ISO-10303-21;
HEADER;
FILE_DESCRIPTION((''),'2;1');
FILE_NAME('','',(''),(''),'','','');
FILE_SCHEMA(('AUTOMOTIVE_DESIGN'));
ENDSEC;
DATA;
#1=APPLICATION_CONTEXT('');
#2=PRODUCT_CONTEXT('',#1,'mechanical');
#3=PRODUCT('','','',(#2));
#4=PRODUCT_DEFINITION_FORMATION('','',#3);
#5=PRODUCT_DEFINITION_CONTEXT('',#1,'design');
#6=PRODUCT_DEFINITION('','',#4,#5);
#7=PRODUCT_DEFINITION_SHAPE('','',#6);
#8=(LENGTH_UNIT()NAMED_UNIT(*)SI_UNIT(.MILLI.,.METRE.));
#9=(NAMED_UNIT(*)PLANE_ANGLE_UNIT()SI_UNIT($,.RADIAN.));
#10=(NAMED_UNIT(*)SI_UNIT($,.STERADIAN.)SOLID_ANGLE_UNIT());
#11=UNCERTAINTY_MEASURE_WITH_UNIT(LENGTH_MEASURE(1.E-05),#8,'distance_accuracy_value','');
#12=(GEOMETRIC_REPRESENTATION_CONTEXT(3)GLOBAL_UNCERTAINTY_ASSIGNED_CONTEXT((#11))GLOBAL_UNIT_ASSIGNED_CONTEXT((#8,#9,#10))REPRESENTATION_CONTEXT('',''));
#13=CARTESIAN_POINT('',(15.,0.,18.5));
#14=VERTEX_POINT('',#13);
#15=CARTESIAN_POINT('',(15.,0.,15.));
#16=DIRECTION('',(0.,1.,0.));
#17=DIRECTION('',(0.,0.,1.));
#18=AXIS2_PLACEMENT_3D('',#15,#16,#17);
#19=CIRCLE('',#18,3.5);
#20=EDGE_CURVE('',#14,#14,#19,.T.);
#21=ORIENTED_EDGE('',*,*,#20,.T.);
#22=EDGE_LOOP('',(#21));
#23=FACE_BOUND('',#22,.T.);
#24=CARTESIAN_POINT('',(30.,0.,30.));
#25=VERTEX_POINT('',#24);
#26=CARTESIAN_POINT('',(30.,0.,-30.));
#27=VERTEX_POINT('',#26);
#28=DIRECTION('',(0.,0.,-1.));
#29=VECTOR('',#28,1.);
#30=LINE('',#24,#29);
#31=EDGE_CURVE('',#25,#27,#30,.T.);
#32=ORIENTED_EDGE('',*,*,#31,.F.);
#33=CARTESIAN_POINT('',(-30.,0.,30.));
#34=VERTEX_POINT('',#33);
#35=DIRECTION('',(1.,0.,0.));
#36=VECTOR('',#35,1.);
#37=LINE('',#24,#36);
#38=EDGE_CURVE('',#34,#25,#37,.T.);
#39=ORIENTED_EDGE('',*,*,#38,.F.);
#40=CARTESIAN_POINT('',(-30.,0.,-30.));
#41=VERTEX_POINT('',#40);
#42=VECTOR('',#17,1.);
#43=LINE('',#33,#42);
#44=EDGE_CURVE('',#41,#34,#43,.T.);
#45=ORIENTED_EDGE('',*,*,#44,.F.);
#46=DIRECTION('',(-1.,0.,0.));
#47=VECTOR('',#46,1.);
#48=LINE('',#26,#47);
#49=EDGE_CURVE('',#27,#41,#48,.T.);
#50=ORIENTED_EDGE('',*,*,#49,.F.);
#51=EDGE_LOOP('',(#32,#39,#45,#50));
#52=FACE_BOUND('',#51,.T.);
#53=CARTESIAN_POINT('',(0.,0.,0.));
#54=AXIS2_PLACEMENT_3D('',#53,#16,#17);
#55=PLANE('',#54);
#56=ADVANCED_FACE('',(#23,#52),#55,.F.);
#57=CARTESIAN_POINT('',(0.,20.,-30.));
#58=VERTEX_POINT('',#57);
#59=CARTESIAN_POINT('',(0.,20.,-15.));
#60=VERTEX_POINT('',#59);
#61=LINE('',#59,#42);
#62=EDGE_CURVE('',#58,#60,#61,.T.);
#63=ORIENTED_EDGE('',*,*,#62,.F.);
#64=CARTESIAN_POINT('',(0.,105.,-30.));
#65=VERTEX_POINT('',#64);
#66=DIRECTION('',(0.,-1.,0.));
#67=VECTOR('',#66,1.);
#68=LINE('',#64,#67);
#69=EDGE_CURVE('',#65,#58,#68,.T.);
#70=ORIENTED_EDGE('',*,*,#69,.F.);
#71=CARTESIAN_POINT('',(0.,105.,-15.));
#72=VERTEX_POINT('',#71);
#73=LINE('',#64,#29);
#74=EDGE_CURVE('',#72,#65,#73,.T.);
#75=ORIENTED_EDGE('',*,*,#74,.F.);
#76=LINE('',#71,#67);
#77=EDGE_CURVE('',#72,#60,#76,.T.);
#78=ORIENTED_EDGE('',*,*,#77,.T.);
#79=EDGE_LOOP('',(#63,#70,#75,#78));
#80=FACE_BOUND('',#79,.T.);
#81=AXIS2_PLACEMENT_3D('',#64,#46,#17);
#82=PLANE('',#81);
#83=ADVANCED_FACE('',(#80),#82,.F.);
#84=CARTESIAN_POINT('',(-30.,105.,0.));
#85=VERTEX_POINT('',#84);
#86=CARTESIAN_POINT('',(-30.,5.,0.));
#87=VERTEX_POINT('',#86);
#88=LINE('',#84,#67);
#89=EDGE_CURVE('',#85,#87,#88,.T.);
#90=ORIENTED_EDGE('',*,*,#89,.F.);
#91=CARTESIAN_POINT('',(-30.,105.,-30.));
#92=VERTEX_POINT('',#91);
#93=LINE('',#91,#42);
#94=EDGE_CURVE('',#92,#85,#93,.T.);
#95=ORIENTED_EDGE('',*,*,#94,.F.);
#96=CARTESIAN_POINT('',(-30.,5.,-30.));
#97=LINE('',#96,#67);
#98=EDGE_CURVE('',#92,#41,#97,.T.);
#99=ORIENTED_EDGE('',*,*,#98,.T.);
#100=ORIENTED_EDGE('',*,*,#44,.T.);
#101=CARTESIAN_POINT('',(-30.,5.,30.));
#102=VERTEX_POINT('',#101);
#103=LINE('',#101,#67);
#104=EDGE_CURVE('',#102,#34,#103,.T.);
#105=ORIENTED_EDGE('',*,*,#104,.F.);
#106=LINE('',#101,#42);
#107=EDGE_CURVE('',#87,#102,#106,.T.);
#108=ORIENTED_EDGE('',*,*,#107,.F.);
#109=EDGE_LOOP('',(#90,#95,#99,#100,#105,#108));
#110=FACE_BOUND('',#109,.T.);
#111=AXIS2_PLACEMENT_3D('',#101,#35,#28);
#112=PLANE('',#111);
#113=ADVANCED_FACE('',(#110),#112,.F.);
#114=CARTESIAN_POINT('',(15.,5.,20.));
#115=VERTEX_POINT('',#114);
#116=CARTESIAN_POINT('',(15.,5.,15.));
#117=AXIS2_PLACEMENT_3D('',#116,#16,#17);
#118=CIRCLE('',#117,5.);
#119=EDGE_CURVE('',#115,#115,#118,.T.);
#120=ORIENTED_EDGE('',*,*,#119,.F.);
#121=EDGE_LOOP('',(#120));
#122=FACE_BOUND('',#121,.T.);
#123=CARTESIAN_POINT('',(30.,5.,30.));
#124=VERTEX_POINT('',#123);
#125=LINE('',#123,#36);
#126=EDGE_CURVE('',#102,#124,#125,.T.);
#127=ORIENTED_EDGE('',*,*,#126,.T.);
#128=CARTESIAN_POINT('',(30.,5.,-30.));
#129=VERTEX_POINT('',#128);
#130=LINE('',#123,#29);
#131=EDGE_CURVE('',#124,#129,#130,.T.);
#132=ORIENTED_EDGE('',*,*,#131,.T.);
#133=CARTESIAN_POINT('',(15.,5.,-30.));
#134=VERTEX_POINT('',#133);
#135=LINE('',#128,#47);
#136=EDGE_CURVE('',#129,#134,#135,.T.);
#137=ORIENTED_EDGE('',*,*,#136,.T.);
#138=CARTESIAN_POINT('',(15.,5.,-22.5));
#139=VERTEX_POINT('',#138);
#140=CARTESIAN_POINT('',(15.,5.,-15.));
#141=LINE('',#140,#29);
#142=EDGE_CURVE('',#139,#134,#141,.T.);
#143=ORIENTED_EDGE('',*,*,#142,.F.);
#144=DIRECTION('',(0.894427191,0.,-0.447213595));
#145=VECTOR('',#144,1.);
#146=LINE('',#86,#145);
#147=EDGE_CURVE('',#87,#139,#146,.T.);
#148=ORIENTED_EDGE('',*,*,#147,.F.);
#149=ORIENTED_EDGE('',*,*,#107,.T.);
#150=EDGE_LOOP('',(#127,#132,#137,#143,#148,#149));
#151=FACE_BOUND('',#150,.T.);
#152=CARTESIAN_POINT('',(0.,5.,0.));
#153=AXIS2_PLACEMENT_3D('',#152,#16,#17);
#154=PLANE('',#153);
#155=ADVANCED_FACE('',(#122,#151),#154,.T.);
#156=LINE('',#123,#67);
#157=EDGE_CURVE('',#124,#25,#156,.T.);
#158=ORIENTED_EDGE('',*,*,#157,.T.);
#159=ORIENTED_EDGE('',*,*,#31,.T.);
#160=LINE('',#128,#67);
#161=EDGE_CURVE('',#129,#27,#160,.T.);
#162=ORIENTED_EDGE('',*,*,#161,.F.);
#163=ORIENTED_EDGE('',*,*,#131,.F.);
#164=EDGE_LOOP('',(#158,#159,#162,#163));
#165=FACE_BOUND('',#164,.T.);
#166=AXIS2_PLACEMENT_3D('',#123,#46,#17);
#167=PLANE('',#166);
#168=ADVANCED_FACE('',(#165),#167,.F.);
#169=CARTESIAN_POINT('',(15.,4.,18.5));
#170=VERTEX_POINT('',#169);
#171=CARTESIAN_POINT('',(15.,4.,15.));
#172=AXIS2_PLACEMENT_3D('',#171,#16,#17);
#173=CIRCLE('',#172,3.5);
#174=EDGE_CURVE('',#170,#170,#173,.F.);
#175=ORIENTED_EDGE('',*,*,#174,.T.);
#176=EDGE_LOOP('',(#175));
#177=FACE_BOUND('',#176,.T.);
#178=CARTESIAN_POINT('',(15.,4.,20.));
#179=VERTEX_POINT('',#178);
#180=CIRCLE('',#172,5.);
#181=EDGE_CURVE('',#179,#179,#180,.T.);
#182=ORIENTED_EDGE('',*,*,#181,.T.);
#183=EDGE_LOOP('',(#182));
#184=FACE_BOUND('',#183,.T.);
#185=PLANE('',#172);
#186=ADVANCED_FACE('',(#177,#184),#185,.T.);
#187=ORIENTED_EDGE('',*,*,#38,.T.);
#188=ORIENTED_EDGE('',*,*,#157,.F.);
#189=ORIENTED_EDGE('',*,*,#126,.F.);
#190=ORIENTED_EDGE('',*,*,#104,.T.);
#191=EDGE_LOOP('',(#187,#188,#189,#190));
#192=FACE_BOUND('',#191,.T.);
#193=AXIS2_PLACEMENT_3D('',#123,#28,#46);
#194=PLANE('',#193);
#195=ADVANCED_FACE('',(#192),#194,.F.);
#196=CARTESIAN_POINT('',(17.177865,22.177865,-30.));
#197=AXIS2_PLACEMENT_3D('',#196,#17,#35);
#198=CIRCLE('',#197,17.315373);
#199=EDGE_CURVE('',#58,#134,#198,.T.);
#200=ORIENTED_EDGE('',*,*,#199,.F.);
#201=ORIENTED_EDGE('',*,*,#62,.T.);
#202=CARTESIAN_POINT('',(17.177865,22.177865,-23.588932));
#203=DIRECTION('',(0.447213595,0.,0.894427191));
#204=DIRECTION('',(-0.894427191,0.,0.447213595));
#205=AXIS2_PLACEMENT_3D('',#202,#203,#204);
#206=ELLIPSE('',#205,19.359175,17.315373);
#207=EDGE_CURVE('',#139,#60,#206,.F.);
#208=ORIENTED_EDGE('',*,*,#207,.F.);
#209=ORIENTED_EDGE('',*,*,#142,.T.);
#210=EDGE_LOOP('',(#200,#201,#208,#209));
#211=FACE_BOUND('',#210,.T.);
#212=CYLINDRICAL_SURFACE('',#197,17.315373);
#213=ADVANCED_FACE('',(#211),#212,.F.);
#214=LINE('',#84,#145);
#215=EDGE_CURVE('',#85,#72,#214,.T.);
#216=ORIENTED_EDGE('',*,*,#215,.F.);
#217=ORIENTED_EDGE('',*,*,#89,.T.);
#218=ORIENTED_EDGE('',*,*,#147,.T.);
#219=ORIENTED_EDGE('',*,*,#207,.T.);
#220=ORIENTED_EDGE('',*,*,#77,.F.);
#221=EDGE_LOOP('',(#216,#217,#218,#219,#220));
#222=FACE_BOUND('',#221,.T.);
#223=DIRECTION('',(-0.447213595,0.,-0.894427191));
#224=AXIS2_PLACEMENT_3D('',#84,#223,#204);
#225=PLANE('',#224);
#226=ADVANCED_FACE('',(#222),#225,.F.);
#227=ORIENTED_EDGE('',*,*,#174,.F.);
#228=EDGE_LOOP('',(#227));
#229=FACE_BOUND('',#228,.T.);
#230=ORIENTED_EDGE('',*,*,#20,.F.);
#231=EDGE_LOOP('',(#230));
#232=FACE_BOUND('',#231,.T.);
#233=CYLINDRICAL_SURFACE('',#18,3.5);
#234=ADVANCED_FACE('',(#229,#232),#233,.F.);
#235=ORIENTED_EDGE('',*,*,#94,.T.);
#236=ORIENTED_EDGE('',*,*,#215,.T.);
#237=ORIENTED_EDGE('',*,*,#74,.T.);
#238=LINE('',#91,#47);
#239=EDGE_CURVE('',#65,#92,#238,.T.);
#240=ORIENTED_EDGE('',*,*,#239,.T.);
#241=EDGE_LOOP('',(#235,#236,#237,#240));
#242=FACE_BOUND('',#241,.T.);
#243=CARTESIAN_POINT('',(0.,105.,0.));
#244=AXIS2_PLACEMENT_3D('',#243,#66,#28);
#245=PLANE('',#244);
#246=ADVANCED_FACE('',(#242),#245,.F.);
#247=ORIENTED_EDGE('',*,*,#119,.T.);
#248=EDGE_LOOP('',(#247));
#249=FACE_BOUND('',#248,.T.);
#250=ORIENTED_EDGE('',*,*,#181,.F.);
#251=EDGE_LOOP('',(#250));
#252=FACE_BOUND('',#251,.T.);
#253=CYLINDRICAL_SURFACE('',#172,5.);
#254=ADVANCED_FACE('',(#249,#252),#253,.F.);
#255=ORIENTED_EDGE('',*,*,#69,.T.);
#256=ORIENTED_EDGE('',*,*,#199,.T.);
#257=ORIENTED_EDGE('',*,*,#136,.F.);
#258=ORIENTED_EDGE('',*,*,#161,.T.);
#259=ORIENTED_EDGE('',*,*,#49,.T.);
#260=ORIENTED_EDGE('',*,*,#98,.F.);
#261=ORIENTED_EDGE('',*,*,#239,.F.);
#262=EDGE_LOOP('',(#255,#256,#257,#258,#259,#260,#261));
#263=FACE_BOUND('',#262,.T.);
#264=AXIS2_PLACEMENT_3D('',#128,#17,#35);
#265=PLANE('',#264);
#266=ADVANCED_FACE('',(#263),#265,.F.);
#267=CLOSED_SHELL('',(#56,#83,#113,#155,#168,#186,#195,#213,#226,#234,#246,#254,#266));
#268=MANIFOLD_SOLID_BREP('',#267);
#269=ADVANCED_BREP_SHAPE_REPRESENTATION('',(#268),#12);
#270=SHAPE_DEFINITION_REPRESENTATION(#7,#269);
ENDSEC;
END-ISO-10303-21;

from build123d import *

# Parameters (mm, degrees)
SKETCH1_W           = 60
SKETCH1_H           = 60
BOSS_EXTRUDE1_DEPTH = 5
BOSS_EXTRUDE2_DEPTH = 100
SKETCH3_W           = 15
SKETCH3_H           = 15
BOSS_EXTRUDE3_DEPTH = 15
CUT_EXTRUDE1_DEPTH  = 119.11011811
SKETCH5_R           = 3.5
CUT_EXTRUDE2_DEPTH  = 109.627804912
SKETCH6_R           = 5
CUT_EXTRUDE3_DEPTH  = 1
CUT_EXTRUDE4_DEPTH  = 109.627804912


with BuildPart() as part:
    # Sketch1 → Boss-Extrude1 (new body)
    with BuildSketch(Plane(origin=(0, 0, 0), x_dir=(1, 0, 0), z_dir=(0, 1, 0))):
        Rectangle(SKETCH1_W, SKETCH1_H)
    extrude(amount=BOSS_EXTRUDE1_DEPTH)

    # Sketch2 → Boss-Extrude2 (add)
    with BuildSketch(Plane(origin=(0, 5, 0), x_dir=(1, 0, 0), z_dir=(0, 1, 0))):
        Polygon((-30, 30), (-30, 0), (0, 15), (0, 30), align=None)
    extrude(amount=BOSS_EXTRUDE2_DEPTH)

    # Sketch3 → Boss-Extrude3 (add)
    with BuildSketch(Plane(origin=(0, 5, 0), x_dir=(1, 0, 0), z_dir=(0, 1, 0))):
        with Locations((7.5, 22.5)):
            Rectangle(SKETCH3_W, SKETCH3_H)
    extrude(amount=BOSS_EXTRUDE3_DEPTH)

    # Sketch4 → Cut-Extrude1 (cut, through all)
    with BuildSketch(Plane.XY.offset(-15)):
        with BuildLine():
            Line((0, 20), (15, 20))
            Line((15, 20), (15, 5))
            ThreePointArc((15, 5), (4.934047308, 9.934047308), (0, 20))
        make_face()
    extrude(amount=-CUT_EXTRUDE1_DEPTH, mode=Mode.SUBTRACT)

    # Sketch5 → Cut-Extrude2 (cut, through all)
    with BuildSketch(Plane(origin=(0, 5, 0), x_dir=(1, 0, 0), z_dir=(0, 1, 0))):
        with Locations(Location((15, -15, 0), (0, 0, 270))):
            Circle(SKETCH5_R)
    extrude(amount=-CUT_EXTRUDE2_DEPTH, mode=Mode.SUBTRACT)

    # Sketch6 → Cut-Extrude3 (cut)
    with BuildSketch(Plane(origin=(0, 5, 0), x_dir=(1, 0, 0), z_dir=(0, 1, 0))):
        with Locations(Location((15, -15, 0), (0, 0, 270))):
            Circle(SKETCH6_R)
    extrude(amount=-CUT_EXTRUDE3_DEPTH, mode=Mode.SUBTRACT)

    # Sketch7 → Cut-Extrude4 (cut, through all)
    with BuildSketch(Plane(origin=(0, 5, 0), x_dir=(1, 0, 0), z_dir=(0, 1, 0))):
        Polygon((0, 15), (30, 30), (30, 7.119616729), (0, 7.119616729), align=None)
    extrude(amount=CUT_EXTRUDE4_DEPTH, mode=Mode.SUBTRACT)


solid = part.part
